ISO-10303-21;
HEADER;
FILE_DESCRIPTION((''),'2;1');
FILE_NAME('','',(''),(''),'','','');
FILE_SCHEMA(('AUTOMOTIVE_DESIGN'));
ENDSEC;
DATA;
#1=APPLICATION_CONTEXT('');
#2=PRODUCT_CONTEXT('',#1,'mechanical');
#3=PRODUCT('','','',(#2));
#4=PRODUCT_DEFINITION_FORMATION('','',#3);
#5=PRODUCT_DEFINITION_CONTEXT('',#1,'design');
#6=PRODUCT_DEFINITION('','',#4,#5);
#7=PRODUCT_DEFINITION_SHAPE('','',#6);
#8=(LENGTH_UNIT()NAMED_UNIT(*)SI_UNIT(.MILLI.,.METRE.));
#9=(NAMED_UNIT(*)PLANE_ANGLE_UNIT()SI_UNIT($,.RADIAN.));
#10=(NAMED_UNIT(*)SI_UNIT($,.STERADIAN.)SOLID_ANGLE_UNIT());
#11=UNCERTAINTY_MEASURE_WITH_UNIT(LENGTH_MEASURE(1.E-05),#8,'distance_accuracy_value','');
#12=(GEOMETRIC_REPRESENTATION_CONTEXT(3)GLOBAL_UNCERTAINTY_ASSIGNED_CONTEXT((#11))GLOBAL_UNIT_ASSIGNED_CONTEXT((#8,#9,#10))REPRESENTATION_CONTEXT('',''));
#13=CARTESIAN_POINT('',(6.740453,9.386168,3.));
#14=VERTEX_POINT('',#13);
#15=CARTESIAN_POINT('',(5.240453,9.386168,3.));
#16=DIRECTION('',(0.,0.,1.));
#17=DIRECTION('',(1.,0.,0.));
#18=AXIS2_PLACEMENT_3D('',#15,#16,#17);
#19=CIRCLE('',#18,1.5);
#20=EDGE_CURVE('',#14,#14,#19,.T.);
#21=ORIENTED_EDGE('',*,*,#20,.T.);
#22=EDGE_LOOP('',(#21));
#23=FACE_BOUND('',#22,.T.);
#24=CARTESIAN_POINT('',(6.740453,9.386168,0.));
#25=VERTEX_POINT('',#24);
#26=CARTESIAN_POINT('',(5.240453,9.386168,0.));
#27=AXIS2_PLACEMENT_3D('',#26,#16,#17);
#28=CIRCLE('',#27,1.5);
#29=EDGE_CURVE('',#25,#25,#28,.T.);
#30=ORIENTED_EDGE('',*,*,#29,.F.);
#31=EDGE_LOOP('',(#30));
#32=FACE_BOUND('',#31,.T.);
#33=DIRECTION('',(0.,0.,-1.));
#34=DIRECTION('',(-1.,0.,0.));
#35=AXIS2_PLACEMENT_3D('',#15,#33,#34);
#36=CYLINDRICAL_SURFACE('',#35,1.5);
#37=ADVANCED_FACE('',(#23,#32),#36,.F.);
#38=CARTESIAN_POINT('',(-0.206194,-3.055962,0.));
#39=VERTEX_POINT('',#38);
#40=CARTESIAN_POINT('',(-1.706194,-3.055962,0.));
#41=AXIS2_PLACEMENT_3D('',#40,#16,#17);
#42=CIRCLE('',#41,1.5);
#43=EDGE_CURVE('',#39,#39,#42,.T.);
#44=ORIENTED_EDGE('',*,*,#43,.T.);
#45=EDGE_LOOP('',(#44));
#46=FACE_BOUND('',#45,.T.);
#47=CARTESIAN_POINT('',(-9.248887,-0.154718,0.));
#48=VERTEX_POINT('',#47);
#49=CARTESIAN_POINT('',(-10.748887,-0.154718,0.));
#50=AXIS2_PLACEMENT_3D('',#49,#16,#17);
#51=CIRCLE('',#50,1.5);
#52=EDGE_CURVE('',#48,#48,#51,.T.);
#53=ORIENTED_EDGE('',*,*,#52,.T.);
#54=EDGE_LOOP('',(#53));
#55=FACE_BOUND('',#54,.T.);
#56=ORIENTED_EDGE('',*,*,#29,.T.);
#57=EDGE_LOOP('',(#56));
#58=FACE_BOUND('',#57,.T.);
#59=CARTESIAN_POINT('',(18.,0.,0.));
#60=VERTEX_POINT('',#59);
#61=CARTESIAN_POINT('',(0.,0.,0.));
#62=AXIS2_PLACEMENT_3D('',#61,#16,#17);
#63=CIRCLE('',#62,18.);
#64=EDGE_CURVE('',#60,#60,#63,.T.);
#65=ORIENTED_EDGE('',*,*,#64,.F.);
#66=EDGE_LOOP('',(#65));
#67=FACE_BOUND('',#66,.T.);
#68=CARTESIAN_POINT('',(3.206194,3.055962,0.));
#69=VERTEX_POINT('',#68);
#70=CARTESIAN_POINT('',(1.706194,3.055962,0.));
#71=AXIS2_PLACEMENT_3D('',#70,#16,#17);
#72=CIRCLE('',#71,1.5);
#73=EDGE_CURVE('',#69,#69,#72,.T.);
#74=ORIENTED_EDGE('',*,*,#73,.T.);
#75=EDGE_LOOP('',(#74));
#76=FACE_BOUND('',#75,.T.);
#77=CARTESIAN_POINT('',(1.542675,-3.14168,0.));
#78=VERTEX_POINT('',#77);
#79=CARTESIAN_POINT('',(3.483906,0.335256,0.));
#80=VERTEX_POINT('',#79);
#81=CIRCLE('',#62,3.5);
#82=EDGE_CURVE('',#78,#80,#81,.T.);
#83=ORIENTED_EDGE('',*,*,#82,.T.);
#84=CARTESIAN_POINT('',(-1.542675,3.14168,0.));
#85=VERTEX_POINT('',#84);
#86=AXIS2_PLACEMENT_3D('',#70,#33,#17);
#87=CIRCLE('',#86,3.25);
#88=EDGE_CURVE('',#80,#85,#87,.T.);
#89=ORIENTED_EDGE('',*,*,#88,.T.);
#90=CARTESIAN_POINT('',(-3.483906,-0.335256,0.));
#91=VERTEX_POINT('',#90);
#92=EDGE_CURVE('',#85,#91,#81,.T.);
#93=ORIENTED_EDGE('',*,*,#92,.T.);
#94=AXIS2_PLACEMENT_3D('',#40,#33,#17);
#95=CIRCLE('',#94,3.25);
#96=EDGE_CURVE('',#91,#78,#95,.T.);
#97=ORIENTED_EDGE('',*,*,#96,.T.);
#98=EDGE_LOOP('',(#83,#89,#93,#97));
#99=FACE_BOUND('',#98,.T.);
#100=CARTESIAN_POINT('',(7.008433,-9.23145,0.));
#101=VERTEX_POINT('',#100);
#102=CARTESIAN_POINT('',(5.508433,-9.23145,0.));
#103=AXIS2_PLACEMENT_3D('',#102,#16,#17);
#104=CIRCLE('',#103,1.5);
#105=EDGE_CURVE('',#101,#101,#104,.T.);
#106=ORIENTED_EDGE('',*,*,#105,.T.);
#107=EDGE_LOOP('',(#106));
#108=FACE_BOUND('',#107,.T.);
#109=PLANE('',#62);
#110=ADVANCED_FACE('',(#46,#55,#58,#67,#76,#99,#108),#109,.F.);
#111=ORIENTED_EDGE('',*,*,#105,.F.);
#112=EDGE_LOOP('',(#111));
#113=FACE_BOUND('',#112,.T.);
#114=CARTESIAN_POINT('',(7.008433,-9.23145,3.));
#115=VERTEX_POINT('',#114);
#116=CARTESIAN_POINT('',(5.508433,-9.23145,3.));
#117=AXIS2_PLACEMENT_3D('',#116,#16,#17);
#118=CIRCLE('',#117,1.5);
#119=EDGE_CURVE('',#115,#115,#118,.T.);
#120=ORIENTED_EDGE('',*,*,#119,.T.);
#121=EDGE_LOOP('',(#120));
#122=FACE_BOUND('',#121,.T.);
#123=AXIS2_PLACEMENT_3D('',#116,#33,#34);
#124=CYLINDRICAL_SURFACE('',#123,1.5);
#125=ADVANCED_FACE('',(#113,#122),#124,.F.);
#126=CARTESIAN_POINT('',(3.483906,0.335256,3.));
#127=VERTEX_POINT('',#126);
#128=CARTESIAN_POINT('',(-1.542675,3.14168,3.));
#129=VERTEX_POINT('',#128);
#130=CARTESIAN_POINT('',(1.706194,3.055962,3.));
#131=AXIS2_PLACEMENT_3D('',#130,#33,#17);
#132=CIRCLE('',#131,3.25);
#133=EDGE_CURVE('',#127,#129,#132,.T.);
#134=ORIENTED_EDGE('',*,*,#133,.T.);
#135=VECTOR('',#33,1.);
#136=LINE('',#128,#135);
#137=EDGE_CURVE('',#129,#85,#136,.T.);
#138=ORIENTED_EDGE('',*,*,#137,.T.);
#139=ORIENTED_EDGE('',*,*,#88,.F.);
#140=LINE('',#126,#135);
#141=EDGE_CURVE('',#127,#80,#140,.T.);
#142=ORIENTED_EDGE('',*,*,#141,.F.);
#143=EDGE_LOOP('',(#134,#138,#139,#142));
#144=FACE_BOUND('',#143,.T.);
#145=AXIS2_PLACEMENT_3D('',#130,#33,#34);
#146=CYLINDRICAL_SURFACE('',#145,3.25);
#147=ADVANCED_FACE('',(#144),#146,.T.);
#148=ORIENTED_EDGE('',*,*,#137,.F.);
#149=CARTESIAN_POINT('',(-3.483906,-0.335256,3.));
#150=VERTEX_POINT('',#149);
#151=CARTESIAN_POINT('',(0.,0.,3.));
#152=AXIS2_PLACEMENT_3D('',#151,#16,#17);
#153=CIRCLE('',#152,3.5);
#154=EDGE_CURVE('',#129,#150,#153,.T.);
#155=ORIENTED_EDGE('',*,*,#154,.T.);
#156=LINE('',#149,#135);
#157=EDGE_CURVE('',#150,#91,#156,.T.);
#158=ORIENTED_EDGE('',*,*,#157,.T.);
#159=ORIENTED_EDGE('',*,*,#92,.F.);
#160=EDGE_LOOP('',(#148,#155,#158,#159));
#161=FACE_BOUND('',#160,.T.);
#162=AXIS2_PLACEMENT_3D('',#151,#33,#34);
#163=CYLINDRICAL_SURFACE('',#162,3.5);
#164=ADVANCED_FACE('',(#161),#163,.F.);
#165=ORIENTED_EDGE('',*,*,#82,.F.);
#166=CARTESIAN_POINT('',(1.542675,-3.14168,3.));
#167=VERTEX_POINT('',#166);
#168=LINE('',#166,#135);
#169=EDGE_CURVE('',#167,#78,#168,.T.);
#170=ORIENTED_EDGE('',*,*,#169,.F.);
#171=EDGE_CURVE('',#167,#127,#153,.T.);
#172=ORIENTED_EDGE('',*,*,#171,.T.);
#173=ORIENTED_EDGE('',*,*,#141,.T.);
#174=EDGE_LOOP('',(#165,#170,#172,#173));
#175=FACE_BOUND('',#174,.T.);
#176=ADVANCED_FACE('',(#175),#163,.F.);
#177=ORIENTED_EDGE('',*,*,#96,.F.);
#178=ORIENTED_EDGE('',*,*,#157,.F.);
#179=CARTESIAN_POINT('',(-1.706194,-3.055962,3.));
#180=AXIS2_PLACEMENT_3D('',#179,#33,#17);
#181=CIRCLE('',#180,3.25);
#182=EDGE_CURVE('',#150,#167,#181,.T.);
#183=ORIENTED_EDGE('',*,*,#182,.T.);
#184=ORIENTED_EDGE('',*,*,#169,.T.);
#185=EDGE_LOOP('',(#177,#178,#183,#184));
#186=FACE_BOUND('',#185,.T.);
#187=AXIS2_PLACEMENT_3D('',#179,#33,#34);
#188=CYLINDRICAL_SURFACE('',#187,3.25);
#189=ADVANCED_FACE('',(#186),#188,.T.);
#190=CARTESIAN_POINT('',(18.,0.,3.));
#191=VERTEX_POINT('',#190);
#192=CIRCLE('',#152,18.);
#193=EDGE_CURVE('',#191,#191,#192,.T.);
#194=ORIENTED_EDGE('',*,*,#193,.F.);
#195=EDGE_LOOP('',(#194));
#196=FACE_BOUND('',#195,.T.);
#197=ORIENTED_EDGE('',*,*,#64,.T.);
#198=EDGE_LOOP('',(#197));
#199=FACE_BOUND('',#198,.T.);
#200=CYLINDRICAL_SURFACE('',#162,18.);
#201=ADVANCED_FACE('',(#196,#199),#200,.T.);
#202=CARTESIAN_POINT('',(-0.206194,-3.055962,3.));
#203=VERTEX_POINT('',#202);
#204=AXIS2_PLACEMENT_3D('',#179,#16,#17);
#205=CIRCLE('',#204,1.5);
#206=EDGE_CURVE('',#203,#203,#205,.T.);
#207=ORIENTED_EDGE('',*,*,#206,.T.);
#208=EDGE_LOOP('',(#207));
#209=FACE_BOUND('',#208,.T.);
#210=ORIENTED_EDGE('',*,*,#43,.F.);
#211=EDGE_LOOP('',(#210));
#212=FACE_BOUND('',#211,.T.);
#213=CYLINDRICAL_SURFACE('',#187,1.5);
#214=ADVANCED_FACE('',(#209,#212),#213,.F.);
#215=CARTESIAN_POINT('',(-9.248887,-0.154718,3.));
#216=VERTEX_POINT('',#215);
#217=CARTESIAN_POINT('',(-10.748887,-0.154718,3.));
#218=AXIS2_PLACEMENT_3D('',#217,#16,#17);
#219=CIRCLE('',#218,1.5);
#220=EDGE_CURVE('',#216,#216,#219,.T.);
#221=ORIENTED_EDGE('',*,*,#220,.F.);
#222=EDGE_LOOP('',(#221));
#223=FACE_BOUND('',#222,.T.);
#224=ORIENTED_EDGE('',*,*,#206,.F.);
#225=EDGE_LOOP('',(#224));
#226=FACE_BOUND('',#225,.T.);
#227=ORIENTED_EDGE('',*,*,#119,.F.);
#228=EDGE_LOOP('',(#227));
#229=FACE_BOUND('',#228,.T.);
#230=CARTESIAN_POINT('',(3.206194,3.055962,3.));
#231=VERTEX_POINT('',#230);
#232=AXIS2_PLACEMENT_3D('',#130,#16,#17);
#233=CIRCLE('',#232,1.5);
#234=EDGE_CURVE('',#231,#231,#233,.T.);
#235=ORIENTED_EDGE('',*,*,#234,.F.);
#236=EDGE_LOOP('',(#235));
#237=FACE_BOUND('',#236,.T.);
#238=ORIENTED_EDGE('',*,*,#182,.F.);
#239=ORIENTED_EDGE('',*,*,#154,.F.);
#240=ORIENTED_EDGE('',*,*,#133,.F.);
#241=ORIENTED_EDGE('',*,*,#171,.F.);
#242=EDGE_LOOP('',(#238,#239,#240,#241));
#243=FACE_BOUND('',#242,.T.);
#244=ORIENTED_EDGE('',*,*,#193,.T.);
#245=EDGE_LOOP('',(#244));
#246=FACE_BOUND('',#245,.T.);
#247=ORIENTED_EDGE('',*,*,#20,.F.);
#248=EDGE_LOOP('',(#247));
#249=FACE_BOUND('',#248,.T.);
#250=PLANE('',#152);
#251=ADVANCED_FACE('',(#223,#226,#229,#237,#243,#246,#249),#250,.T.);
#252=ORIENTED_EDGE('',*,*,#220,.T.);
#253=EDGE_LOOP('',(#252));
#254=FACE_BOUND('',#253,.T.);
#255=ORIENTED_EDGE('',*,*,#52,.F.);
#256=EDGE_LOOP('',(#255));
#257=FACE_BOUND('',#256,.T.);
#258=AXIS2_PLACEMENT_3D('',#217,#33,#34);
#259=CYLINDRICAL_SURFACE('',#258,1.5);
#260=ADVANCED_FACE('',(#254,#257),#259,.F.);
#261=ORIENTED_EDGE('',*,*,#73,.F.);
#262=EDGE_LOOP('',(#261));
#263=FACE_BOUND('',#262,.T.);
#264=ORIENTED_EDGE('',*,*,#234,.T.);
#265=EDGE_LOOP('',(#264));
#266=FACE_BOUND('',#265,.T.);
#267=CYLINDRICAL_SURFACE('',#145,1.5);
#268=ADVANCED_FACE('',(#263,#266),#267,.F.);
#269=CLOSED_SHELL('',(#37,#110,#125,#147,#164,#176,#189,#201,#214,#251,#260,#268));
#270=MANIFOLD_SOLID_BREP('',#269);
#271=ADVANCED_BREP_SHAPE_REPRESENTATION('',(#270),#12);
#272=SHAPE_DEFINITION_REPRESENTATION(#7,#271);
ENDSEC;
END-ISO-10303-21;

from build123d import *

# Parameters (mm, degrees)
ESQUISSE1_R        = 18
ESQUISSE1_R_2      = 1.5
BOSS_EXTRU_1_DEPTH = 3


with BuildPart() as part:
    # Esquisse1 → Boss.-Extru.1 (new body)
    with BuildSketch(Plane.XY):
        Circle(ESQUISSE1_R)
        with Locations((5.240453276, 9.386167986)):
            Circle(ESQUISSE1_R_2, mode=Mode.SUBTRACT)
        with Locations((-1.70619409, -3.05596167)):
            Circle(ESQUISSE1_R_2, mode=Mode.SUBTRACT)
        with Locations((1.70619409, 3.05596167)):
            Circle(ESQUISSE1_R_2, mode=Mode.SUBTRACT)
        with Locations((5.508433282, -9.231449657)):
            Circle(ESQUISSE1_R_2, mode=Mode.SUBTRACT)
        with Locations((-10.748886558, -0.154718329)):
            Circle(ESQUISSE1_R_2, mode=Mode.SUBTRACT)
        with BuildLine():
            ThreePointArc((1.54267531, -3.141679947), (-0.121871006, -0.218282976), (-3.483906341, -0.335256035))
            ThreePointArc((-3.483906341, -0.335256035), (-3.05596167, 1.70619409), (-1.54267531, 3.141679947))
            ThreePointArc((-1.54267531, 3.141679947), (0.121871006, 0.218282976), (3.483906341, 0.335256035))
            ThreePointArc((3.483906341, 0.335256035), (3.05596167, -1.70619409), (1.54267531, -3.141679947))
        make_face(mode=Mode.SUBTRACT)
    extrude(amount=BOSS_EXTRU_1_DEPTH)


solid = part.part
